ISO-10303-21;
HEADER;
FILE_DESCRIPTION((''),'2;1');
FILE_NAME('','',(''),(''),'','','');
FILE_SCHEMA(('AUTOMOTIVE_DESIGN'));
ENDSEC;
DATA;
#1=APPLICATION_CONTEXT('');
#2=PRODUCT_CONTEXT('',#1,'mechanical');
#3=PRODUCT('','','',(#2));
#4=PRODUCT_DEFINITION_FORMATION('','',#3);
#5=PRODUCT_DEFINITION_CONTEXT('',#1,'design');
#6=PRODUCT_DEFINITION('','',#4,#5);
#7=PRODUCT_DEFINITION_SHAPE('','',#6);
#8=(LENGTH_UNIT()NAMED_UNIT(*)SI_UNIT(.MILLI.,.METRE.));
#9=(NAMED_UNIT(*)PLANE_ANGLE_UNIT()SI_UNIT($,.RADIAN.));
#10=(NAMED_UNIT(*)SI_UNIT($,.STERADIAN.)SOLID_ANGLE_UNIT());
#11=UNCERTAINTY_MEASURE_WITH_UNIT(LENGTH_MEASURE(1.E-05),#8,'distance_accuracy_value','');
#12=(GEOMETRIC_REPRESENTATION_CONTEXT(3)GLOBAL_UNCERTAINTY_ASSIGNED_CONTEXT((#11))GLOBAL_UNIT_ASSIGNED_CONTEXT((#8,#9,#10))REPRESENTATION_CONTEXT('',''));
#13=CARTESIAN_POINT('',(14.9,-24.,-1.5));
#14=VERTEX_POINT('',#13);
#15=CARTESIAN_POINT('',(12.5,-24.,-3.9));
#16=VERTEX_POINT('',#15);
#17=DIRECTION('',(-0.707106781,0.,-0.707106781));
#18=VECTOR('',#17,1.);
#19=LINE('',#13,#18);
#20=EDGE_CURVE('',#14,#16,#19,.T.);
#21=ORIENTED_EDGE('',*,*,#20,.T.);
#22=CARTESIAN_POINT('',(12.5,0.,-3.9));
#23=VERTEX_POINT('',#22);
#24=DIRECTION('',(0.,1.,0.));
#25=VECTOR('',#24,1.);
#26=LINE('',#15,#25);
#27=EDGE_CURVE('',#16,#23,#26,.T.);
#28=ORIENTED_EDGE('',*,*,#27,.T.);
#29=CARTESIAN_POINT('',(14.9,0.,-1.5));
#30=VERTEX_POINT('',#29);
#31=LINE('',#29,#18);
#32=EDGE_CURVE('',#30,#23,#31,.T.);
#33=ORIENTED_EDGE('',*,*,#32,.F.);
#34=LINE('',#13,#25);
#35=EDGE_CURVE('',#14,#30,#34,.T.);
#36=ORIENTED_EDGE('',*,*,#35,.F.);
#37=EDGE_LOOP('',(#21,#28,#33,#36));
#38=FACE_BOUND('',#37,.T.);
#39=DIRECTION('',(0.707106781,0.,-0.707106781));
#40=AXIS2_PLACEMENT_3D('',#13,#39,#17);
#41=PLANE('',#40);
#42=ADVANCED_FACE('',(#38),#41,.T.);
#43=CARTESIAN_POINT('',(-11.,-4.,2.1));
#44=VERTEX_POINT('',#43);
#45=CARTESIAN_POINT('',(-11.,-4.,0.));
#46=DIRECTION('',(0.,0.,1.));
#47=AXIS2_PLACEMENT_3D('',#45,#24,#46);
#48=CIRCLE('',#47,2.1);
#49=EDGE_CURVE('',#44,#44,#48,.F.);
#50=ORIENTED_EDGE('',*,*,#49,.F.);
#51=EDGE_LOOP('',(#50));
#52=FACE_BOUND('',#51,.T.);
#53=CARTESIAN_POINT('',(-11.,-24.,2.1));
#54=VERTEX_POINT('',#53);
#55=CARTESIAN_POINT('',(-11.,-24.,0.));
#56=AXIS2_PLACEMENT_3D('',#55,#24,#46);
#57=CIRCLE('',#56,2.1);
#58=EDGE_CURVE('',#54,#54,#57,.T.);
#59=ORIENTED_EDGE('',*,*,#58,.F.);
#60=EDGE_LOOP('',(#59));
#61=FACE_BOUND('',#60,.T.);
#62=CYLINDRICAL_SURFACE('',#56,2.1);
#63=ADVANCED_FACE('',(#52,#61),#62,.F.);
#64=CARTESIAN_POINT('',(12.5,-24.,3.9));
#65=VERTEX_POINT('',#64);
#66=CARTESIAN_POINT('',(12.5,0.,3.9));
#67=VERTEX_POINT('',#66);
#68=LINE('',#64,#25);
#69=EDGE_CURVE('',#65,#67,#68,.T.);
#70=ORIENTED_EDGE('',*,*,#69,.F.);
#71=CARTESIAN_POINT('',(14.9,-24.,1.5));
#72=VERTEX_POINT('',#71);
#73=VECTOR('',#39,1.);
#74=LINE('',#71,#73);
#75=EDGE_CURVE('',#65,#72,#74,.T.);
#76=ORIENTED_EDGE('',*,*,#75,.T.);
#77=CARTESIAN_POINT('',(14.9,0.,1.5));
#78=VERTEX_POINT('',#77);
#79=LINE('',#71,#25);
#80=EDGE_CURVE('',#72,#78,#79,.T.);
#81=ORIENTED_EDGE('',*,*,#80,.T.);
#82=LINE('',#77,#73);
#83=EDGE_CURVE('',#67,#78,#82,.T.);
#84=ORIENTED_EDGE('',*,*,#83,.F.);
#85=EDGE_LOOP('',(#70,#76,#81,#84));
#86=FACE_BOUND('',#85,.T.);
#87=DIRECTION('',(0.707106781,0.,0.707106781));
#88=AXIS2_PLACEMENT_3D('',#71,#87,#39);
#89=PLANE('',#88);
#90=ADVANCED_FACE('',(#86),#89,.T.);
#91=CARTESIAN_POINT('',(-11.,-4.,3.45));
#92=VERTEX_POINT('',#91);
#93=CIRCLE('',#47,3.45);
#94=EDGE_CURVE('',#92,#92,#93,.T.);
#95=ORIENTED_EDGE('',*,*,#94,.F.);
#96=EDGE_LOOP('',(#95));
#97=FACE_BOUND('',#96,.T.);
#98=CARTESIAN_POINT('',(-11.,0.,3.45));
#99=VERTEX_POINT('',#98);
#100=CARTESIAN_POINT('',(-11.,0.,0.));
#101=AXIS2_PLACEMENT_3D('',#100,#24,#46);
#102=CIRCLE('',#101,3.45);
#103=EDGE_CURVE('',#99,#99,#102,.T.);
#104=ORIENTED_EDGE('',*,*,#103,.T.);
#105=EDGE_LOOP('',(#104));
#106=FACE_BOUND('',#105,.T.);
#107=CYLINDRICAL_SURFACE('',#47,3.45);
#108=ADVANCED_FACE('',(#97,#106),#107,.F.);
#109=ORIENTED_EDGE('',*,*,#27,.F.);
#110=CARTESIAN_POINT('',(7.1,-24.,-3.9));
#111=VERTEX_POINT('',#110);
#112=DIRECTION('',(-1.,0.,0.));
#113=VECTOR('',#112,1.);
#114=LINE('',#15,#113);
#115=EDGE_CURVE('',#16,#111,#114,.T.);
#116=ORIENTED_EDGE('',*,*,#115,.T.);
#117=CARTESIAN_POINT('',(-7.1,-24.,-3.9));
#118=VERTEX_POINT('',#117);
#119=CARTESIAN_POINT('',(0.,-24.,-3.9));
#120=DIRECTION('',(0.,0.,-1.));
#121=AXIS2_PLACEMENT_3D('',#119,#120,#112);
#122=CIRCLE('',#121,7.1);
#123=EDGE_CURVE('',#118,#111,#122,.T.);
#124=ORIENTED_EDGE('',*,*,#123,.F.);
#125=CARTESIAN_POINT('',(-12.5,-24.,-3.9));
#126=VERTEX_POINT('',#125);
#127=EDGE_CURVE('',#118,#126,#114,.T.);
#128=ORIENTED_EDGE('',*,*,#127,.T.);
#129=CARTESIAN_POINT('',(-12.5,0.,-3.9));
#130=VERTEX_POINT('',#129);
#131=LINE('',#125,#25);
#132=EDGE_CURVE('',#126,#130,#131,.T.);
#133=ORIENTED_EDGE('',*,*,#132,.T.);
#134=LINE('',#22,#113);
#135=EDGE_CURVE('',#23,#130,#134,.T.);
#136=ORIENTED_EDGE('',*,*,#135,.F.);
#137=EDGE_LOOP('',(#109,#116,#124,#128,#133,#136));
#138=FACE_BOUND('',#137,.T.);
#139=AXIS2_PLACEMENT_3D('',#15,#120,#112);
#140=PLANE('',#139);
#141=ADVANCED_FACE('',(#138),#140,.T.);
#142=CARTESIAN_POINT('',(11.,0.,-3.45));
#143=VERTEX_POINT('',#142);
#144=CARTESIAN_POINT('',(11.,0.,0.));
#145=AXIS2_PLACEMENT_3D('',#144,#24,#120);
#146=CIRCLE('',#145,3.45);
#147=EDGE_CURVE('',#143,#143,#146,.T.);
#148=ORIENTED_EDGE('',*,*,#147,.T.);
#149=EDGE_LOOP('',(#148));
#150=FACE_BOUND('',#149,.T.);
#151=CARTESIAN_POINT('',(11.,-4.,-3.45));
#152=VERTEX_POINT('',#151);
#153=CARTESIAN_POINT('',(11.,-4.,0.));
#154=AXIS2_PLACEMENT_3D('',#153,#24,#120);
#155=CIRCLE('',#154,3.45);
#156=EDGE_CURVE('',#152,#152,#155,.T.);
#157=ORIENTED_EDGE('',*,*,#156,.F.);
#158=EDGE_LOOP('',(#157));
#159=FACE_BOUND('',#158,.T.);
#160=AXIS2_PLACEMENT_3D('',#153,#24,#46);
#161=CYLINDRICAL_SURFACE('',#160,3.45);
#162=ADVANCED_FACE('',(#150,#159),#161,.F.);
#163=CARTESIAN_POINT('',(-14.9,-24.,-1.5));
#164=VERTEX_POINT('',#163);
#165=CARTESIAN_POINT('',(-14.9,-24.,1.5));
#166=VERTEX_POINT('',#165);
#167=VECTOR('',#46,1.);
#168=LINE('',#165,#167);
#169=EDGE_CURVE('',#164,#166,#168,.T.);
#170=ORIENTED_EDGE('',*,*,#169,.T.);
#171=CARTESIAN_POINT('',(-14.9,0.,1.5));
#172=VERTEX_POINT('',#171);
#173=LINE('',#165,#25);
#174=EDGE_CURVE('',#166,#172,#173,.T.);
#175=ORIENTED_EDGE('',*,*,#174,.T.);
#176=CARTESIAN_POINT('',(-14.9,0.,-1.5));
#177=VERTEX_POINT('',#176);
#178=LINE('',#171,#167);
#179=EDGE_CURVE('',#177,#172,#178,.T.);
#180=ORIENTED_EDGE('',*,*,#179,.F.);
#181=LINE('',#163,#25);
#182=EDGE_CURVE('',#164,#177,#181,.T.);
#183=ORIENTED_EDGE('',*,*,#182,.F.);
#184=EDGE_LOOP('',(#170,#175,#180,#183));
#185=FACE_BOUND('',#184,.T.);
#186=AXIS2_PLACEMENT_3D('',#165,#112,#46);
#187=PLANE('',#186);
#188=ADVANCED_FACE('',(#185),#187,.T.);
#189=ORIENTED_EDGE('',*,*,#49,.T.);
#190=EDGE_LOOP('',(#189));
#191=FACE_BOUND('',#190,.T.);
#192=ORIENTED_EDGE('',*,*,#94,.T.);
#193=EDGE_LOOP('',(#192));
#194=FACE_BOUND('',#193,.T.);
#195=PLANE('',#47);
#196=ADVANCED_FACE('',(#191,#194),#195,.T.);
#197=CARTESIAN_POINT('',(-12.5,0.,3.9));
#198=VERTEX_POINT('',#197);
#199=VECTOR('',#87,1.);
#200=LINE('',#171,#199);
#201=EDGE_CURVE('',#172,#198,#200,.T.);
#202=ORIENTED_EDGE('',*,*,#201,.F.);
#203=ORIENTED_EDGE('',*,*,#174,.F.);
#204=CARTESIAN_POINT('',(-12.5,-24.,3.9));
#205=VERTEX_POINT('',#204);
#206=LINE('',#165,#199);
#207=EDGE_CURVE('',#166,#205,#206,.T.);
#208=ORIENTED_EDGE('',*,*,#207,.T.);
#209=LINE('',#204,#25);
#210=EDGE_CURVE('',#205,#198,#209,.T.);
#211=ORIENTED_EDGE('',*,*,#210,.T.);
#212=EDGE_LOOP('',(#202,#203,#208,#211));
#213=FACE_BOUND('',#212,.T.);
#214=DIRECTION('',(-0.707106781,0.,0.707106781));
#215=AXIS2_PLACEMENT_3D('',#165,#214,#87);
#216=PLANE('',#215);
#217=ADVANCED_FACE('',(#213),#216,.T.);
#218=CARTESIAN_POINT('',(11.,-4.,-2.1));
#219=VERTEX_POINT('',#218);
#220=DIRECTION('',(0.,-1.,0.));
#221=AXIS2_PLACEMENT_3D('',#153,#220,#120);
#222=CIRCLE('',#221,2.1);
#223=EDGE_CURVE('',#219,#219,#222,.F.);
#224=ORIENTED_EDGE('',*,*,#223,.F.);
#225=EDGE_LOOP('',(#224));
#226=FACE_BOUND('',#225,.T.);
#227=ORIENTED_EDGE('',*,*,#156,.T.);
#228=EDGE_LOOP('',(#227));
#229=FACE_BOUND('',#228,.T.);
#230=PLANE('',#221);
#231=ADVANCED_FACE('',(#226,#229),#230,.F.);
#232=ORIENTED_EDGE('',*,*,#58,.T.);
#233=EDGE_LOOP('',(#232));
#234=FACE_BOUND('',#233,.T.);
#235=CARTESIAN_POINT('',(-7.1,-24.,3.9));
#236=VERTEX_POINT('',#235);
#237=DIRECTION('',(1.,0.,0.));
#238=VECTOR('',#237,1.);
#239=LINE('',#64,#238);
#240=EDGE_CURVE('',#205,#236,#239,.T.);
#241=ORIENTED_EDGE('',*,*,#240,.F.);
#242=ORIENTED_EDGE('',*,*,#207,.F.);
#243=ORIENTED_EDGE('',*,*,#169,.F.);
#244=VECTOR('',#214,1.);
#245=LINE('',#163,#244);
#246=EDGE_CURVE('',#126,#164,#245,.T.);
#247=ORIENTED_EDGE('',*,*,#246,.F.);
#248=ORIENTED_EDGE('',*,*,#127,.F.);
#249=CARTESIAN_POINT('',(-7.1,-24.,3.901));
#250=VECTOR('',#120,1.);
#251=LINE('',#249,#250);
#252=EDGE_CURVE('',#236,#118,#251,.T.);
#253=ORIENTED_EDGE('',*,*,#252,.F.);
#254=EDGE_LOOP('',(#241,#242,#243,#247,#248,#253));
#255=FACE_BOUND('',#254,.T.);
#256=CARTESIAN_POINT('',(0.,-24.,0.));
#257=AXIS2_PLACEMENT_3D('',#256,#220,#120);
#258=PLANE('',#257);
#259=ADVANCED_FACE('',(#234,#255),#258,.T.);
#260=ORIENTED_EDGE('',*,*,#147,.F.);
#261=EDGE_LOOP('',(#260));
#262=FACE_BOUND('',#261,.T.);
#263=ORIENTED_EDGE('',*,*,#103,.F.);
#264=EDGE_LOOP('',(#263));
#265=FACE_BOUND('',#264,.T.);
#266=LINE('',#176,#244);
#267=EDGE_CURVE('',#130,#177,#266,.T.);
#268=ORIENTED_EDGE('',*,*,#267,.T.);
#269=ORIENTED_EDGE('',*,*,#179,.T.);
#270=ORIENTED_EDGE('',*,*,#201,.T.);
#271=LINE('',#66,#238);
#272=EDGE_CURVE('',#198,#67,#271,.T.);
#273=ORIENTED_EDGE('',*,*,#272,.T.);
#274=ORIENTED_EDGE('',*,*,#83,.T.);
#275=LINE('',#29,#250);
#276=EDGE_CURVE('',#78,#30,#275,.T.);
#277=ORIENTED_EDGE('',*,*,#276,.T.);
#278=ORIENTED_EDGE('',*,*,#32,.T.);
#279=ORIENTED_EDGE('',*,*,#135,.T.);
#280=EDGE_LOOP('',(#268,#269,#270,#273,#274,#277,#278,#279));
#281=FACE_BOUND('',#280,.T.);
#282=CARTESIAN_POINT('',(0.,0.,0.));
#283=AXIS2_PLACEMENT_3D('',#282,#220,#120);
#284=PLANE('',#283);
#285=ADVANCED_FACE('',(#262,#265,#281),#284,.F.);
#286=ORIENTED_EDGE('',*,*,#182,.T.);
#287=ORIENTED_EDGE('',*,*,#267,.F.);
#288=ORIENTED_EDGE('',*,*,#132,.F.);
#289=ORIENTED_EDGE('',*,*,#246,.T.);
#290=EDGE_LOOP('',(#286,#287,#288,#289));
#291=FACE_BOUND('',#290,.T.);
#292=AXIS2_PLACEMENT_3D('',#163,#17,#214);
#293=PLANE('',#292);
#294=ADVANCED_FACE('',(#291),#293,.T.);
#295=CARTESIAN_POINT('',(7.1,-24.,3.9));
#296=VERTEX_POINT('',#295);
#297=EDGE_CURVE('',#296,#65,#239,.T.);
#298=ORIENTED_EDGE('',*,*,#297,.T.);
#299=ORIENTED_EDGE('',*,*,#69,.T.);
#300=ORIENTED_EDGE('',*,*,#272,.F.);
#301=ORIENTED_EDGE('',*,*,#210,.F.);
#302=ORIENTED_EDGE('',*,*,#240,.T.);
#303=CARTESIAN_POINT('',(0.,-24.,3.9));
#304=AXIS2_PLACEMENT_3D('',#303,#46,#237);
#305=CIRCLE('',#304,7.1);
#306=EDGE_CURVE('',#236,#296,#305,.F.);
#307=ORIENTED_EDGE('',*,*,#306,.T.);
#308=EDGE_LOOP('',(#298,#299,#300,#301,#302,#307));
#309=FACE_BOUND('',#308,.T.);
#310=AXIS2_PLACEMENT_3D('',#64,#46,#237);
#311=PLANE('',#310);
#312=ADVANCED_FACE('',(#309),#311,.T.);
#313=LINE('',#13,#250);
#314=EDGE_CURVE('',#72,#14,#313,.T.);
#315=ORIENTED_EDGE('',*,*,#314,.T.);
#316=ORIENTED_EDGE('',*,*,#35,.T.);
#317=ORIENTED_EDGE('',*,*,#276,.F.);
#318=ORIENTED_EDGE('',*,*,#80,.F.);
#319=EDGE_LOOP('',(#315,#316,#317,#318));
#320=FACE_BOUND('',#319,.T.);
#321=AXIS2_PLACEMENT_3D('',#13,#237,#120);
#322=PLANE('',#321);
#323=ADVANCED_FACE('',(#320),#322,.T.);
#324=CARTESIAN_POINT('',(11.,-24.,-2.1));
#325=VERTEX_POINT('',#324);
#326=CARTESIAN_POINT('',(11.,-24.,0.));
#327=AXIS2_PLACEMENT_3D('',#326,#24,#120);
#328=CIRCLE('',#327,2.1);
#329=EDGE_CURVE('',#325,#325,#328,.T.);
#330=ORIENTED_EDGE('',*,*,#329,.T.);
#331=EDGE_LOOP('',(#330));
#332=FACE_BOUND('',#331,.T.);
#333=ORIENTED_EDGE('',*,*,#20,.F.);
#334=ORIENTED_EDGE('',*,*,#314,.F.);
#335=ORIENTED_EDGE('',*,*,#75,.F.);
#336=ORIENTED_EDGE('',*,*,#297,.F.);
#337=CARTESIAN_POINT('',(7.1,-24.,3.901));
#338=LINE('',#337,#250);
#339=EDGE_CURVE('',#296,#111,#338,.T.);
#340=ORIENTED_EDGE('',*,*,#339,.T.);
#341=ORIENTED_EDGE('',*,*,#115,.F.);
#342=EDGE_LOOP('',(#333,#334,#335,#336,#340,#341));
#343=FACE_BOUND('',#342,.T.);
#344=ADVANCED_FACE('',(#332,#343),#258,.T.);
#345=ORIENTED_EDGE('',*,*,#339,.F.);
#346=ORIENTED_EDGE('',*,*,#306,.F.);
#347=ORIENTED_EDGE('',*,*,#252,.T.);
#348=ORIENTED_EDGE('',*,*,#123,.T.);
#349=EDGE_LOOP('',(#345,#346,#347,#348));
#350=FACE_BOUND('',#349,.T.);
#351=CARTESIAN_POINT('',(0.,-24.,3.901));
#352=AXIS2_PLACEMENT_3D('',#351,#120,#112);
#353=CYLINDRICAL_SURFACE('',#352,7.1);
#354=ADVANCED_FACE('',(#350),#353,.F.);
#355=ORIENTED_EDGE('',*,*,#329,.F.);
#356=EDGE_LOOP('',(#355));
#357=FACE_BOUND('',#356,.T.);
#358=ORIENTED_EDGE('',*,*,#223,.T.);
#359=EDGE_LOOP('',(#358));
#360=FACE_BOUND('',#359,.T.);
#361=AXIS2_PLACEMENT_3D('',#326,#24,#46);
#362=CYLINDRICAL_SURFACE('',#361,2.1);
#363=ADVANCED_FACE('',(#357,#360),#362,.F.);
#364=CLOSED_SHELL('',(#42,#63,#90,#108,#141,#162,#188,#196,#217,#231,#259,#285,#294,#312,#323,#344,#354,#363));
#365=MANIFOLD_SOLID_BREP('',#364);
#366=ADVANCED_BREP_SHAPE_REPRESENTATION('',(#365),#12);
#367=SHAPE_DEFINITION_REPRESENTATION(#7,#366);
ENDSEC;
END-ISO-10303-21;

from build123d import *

# Parameters (mm, degrees)
SZKIC1_R                    = 2.1
DODANIE_WYCI_GNI_CIE1_DEPTH = 24
WYTNIJ_WYCI_GNI_CIE1_REACH  = 31.306
SZKIC3_R                    = 3.45
WYTNIJ_WYCI_GNI_CIE2_DEPTH  = 4


with BuildPart() as part:
    # Szkic1 → Dodanie-wyciągnięcie1 (new body)
    with BuildSketch(Plane(origin=(0, 0, 0), x_dir=(1, 0, 0), z_dir=(0, 1, 0))):
        Polygon((12.5, 3.9), (-12.5, 3.9), (-14.9, 1.5), (-14.9, -1.5), (-12.5, -3.9), (12.5, -3.9), (14.9, -1.5), (14.9, 1.5), align=None)
        with Locations(Location((-11, 0, 0), (0, 0, 270))):
            Circle(SZKIC1_R, mode=Mode.SUBTRACT)
        with Locations(Location((11, 0, 0), (0, 0, 90))):
            Circle(SZKIC1_R, mode=Mode.SUBTRACT)
    extrude(amount=-DODANIE_WYCI_GNI_CIE1_DEPTH)

    # Szkic2 → Wytnij-wyciągnięcie1 (cut, up to next)
    with BuildSketch(Plane(origin=(0, 0, -3.9), x_dir=(-1, 0, 0), z_dir=(0, 0, -1)), mode=Mode.PRIVATE) as wytnij_wyci_gni_cie1_sk1:
        with BuildLine():
            Line((-7.1, -24), (7.1, -24))
            ThreePointArc((7.1, -24), (0, -16.9), (-7.1, -24))
        make_face()
    wytnij_wyci_gni_cie1_tool1 = extrude(wytnij_wyci_gni_cie1_sk1.sketch, amount=-WYTNIJ_WYCI_GNI_CIE1_REACH, mode=Mode.PRIVATE) & part.part
    add(wytnij_wyci_gni_cie1_tool1.solids().sort_by_distance((0, -20.986666, -3.9))[0], mode=Mode.SUBTRACT)

    # Szkic3 → Wytnij-wyciągnięcie2 (cut)
    with BuildSketch(Plane(origin=(0, 0, 0), x_dir=(1, 0, 0), z_dir=(0, 1, 0))):
        with Locations(Location((-11, 0, 0), (0, 0, 270))):
            Circle(SZKIC3_R)
        with Locations(Location((11, 0, 0), (0, 0, 90))):
            Circle(SZKIC3_R)
    extrude(amount=-WYTNIJ_WYCI_GNI_CIE2_DEPTH, mode=Mode.SUBTRACT)


solid = part.part
